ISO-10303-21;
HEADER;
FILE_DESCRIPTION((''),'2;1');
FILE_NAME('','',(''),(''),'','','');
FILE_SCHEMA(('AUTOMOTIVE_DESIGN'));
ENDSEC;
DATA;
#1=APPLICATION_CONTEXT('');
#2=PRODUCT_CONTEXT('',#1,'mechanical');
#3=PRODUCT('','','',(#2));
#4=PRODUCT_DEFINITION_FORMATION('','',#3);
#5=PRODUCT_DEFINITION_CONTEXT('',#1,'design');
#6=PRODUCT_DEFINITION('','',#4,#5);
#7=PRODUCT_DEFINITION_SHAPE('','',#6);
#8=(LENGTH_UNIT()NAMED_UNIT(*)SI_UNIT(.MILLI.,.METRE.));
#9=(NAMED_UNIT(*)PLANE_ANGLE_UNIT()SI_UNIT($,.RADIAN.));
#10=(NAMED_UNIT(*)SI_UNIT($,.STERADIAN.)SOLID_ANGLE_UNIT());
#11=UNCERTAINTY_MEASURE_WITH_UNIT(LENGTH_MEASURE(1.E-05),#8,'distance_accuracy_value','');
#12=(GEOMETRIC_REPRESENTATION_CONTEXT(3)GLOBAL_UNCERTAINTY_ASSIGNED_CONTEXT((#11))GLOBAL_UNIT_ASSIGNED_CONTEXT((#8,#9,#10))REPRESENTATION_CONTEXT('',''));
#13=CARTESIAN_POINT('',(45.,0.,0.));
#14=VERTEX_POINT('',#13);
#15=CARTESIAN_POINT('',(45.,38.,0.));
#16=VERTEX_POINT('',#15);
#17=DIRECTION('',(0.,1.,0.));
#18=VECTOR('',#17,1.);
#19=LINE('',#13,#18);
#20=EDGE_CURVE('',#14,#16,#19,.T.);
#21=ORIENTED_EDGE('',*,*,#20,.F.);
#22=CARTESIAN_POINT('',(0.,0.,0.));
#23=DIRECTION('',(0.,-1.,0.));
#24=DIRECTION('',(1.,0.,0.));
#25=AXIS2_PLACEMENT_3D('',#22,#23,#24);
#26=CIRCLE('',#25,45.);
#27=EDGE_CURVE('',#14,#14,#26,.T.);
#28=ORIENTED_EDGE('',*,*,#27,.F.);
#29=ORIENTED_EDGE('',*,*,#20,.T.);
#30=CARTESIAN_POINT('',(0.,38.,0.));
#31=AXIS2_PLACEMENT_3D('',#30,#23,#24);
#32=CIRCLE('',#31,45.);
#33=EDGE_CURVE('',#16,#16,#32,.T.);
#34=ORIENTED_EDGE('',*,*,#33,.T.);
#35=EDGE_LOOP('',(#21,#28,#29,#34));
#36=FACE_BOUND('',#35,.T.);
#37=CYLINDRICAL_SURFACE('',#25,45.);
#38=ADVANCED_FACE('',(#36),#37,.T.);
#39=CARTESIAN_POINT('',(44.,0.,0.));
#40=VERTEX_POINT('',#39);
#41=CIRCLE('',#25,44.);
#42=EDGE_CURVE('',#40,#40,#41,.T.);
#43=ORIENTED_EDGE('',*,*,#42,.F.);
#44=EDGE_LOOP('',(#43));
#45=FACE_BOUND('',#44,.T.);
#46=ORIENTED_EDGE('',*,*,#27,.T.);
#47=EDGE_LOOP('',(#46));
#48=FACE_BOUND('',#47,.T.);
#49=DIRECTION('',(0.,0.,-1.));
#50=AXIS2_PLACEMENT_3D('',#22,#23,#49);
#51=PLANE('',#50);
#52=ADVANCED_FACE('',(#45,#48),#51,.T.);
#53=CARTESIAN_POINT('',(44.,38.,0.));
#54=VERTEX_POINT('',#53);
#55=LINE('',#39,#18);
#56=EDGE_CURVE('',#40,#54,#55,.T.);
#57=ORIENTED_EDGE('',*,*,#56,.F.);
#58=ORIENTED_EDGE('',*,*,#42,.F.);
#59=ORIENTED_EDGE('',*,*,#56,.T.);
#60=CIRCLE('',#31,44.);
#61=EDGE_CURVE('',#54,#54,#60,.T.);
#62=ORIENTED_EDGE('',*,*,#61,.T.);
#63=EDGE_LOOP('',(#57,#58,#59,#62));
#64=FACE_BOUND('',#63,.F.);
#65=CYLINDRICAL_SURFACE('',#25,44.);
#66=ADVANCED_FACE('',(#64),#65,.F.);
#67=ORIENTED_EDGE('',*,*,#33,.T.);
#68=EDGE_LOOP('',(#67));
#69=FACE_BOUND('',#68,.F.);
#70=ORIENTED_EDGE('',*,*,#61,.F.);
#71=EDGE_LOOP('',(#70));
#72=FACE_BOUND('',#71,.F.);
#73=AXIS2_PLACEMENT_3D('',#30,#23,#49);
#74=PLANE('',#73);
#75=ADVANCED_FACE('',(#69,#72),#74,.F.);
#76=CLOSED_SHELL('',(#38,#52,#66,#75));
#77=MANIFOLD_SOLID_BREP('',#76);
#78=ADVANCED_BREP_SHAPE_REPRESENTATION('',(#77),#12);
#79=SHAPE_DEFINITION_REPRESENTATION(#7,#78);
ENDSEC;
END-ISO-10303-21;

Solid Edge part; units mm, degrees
sketch "Sketch1" plane through (0, 0, 0) normal (0, -1, 0) x (1, 0, 0)
  circle A0 centre (0, 0) radius 44
  circle A1 centre (0, 0) radius 45
  dimension "D1" = 88
  dimension "D2" = 90
extrude "Protrusion1" add sketch "Sketch1" against normal blind 38
